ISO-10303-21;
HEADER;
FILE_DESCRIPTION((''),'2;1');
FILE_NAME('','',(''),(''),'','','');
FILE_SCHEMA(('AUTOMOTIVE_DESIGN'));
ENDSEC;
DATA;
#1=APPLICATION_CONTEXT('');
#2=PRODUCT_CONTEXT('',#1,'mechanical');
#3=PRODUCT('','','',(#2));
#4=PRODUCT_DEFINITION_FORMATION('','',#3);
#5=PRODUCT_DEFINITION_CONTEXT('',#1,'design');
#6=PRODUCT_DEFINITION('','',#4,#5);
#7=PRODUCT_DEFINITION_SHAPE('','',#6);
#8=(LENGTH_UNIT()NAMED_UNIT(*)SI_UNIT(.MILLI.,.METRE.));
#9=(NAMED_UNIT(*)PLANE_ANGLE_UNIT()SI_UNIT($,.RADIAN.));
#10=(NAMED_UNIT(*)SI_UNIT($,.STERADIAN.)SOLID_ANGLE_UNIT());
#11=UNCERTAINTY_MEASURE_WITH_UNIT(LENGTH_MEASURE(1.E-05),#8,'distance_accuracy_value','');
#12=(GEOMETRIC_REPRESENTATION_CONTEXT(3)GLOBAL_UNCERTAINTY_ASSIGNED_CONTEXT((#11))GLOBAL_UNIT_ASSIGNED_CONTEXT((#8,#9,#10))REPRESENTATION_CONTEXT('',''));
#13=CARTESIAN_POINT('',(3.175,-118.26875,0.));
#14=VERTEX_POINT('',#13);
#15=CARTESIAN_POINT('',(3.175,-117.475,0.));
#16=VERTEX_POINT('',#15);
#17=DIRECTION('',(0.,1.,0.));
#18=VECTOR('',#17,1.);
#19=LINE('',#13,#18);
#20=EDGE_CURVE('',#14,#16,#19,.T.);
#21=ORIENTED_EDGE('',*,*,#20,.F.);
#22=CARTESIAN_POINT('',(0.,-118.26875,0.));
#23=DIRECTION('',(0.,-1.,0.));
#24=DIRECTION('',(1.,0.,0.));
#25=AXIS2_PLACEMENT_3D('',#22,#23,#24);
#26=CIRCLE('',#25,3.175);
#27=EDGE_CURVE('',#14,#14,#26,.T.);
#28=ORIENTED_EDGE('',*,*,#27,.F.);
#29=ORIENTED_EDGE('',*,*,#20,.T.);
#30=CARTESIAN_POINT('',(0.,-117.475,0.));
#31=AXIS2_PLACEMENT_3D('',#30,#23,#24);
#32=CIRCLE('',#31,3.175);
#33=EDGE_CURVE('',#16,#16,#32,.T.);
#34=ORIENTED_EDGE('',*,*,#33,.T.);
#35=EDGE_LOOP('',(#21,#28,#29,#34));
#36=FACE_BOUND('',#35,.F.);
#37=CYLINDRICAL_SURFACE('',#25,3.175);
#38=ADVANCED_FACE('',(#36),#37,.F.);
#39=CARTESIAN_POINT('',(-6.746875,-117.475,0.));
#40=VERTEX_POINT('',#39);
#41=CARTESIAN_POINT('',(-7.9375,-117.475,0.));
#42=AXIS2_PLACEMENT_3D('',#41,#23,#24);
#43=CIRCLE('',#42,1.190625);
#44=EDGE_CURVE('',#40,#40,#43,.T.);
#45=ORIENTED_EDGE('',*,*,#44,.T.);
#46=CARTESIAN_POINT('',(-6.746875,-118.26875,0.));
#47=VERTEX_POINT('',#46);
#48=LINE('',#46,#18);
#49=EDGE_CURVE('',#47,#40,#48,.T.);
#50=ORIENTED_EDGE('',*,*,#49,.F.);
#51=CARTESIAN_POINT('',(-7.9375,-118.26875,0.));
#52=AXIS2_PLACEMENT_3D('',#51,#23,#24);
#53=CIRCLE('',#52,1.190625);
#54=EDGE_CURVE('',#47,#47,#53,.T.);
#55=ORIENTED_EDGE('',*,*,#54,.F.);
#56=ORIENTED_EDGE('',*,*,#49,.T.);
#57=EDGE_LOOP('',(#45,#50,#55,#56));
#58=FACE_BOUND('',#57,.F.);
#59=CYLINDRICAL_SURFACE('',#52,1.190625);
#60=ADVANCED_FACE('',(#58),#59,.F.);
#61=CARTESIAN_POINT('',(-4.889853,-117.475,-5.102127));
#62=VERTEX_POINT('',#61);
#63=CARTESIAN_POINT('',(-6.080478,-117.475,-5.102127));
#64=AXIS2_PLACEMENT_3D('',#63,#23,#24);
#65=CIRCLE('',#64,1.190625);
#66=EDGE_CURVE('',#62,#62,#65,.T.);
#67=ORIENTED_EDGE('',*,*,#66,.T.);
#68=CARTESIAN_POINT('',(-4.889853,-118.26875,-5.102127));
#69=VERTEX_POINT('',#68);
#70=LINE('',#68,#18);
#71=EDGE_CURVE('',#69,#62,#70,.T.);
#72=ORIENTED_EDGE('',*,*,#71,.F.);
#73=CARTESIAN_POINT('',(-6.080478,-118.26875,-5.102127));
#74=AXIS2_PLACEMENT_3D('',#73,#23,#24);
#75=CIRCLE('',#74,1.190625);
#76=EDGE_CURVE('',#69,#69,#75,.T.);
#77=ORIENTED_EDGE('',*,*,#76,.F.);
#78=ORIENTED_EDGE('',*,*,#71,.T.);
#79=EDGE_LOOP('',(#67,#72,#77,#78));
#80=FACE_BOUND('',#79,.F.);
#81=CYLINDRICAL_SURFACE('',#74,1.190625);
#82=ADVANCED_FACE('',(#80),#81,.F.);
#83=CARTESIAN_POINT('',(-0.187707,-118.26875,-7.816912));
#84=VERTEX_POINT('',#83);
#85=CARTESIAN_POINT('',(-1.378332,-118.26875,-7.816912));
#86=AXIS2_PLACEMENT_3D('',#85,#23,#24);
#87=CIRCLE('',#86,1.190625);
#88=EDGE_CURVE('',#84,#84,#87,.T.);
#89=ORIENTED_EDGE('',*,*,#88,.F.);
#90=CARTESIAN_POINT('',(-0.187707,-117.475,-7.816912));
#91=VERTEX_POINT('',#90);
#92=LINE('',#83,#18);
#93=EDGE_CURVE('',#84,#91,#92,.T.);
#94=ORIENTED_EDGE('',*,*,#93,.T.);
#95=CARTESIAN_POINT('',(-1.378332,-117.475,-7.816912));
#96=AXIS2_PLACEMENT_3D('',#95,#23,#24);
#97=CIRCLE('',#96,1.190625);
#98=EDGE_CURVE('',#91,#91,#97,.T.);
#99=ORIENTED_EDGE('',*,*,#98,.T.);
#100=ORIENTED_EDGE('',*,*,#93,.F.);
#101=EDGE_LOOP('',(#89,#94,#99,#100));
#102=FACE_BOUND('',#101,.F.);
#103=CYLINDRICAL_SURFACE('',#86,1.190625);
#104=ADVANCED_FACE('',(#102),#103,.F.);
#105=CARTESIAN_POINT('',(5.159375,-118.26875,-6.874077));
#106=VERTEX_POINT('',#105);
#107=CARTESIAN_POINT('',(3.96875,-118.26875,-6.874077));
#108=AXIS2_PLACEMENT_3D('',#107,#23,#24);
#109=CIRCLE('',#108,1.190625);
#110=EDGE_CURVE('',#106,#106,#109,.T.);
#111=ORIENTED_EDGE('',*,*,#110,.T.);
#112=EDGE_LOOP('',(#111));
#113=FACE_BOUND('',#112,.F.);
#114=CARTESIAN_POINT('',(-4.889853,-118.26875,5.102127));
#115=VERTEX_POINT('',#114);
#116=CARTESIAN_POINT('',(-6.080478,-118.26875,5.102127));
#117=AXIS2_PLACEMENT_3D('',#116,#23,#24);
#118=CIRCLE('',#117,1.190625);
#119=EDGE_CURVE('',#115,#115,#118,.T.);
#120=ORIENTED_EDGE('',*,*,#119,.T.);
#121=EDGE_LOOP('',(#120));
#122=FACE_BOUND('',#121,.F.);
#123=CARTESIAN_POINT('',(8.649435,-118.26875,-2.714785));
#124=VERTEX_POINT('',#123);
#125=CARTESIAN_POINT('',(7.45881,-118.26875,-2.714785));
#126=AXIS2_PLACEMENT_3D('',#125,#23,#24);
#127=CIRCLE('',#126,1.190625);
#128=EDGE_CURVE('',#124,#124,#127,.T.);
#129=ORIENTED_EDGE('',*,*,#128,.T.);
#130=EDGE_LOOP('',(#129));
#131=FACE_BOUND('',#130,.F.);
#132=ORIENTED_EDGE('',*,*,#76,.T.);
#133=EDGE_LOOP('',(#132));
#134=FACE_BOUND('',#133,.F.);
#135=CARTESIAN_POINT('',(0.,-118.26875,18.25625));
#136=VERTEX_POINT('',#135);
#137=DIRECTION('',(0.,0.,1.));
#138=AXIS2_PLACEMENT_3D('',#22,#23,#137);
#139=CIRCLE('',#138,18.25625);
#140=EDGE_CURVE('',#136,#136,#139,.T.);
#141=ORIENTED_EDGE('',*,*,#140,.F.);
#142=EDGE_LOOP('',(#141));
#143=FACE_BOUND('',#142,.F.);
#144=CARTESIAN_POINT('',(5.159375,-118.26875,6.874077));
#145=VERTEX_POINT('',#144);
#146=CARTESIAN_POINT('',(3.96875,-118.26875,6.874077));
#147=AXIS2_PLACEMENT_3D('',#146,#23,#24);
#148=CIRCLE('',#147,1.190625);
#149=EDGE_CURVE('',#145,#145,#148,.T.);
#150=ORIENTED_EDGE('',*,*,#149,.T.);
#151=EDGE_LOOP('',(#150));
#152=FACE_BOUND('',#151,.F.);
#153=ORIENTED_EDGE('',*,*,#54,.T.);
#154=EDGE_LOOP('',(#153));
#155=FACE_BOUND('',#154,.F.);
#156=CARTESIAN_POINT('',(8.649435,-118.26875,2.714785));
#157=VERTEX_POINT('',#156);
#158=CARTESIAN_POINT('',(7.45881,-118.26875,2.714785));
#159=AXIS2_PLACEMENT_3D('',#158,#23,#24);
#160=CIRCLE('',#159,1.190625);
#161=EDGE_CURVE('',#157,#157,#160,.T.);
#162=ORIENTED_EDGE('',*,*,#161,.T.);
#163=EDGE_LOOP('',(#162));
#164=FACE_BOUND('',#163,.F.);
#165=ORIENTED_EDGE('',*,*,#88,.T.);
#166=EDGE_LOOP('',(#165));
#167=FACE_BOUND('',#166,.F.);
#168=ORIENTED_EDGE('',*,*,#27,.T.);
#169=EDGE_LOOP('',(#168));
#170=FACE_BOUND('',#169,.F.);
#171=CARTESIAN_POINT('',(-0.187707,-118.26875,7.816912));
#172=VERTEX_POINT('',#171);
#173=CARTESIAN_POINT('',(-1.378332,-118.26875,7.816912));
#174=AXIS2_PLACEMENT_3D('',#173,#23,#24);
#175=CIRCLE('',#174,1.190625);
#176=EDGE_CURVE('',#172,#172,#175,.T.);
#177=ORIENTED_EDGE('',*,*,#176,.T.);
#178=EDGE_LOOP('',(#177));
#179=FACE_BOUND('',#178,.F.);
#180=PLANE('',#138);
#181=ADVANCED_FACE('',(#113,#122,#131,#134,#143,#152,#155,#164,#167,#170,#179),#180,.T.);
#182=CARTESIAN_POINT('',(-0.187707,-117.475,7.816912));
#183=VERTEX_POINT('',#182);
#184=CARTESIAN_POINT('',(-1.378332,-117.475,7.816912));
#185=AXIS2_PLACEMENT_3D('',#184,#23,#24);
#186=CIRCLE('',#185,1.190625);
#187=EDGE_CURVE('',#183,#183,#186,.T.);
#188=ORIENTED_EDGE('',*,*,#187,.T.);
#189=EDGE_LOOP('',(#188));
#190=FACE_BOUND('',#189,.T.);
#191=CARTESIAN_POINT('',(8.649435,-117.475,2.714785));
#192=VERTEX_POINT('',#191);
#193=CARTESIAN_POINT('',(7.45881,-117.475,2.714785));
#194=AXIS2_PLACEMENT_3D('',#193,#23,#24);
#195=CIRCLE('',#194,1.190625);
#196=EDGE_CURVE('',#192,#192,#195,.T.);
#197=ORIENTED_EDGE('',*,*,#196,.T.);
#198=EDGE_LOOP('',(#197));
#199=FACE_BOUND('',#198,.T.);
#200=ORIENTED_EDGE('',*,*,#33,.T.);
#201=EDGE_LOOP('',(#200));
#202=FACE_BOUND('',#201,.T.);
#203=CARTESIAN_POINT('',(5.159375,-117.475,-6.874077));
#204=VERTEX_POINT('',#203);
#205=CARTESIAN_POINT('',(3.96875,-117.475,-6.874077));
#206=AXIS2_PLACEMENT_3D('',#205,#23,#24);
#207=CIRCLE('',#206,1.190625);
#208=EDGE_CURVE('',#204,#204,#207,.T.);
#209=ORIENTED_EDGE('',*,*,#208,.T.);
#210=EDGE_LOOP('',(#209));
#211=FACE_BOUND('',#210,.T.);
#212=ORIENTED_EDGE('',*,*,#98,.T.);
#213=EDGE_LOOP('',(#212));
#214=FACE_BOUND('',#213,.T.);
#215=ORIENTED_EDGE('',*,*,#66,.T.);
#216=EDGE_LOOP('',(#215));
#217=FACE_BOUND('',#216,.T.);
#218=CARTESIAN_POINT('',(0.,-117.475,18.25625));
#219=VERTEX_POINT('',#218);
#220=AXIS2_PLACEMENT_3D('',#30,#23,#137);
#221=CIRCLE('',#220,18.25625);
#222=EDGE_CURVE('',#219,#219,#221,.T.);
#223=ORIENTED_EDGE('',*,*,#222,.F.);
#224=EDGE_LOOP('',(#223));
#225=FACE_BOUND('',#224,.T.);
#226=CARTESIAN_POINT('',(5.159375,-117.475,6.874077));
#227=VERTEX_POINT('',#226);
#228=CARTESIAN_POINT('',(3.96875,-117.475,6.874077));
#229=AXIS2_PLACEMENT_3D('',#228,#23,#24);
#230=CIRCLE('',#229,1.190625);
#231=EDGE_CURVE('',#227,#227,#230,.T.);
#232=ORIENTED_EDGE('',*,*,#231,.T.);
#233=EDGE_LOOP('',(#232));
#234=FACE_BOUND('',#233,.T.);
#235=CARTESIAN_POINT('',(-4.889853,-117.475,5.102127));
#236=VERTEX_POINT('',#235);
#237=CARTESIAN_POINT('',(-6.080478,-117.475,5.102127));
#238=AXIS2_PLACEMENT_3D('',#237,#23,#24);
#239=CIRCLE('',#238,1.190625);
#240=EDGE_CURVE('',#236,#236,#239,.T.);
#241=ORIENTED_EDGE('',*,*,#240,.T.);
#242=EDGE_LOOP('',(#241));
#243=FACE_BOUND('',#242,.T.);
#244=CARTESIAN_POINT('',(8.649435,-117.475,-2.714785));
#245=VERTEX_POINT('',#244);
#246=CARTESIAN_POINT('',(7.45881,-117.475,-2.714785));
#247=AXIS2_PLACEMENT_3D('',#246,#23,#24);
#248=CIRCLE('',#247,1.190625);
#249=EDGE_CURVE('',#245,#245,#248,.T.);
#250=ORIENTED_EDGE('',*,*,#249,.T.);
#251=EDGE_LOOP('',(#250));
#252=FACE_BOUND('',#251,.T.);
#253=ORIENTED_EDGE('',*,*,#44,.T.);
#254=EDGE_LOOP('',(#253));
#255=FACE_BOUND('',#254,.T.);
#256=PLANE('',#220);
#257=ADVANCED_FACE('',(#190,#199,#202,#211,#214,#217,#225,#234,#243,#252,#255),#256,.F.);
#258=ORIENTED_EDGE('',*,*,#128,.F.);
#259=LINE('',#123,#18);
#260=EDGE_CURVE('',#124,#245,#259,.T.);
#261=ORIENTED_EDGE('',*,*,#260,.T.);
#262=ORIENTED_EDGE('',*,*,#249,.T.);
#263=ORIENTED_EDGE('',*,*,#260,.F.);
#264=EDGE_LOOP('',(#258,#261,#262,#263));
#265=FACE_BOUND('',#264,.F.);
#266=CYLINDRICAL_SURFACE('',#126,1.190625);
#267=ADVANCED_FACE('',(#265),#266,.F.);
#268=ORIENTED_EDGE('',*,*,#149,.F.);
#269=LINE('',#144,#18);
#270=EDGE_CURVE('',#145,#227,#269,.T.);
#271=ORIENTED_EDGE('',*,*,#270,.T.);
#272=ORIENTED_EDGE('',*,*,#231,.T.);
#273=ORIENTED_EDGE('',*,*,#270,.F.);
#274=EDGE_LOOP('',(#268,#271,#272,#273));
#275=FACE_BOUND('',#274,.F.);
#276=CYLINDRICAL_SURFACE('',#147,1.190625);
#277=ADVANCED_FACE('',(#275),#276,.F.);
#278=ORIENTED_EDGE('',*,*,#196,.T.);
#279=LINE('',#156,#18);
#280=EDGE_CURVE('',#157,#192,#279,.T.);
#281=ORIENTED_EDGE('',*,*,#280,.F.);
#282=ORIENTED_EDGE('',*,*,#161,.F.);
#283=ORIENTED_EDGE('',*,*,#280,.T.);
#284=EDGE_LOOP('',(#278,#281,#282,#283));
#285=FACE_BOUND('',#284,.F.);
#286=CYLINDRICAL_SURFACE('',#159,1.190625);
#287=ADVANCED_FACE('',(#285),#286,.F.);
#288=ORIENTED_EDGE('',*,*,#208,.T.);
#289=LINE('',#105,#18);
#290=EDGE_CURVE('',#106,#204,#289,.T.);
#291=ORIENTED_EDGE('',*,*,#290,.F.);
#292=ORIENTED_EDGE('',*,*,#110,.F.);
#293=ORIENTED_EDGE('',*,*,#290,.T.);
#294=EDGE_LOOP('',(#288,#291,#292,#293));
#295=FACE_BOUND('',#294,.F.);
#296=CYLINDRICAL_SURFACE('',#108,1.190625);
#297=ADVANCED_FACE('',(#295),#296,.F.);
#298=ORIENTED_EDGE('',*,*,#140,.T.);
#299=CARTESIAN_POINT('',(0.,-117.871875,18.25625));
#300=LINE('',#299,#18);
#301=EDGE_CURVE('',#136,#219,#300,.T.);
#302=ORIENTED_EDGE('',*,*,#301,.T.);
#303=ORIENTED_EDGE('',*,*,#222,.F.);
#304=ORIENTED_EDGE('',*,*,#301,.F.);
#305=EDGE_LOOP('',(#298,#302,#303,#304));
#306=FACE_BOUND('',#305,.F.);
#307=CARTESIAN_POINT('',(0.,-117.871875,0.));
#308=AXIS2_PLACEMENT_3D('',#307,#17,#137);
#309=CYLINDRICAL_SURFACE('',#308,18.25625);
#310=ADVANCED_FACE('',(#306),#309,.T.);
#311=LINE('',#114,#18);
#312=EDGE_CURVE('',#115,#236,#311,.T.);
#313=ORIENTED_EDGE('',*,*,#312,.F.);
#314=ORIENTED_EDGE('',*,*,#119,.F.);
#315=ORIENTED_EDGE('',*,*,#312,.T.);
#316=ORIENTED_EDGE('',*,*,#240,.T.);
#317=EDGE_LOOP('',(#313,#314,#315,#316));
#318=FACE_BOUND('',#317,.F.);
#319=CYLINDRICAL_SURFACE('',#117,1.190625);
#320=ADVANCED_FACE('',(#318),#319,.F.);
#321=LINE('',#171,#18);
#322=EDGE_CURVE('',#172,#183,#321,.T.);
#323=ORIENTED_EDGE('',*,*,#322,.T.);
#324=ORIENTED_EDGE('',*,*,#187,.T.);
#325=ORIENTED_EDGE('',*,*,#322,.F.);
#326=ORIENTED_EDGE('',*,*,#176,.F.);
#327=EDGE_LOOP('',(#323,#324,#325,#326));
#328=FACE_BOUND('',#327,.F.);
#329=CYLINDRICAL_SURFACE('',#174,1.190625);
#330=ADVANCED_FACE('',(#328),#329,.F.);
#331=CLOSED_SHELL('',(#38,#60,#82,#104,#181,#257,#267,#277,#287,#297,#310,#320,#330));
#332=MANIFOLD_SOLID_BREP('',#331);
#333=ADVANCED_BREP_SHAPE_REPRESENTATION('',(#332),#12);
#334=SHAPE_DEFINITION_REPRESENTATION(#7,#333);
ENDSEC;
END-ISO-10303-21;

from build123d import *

# Parameters (mm, degrees)
F0_W     = 0.79375
F0_H     = 18.25625
F2_R     = 3.175
F2_R_2   = 1.190625
F3_DEPTH = 0.79375


with BuildPart() as f1:
    # F0 (on Right) → F1 (revolve)
    with BuildSketch(Plane.YZ):
        with Locations((-117.871875, 9.128125)):
            Rectangle(F0_W, F0_H)
    revolve(axis=Axis((0, -58.7375, 0), (0, -1, 0)))

    # F2 (on face) → F3 (cut, through all)
    with BuildSketch(Plane.XZ.offset(118.26875)):
        Circle(F2_R)
        with Locations((-7.9375, 0)):
            Circle(F2_R_2)
        with Locations((-6.080478, -5.102127)):
            Circle(F2_R_2)
        with Locations((-1.378332, -7.816912)):
            Circle(F2_R_2)
        with Locations((3.96875, -6.874077)):
            Circle(F2_R_2)
        with Locations((7.45881, -2.714785)):
            Circle(F2_R_2)
        with Locations((7.45881, 2.714785)):
            Circle(F2_R_2)
        with Locations((3.96875, 6.874077)):
            Circle(F2_R_2)
        with Locations((-1.378332, 7.816912)):
            Circle(F2_R_2)
        with Locations((-6.080478, 5.102127)):
            Circle(F2_R_2)
    extrude(amount=-F3_DEPTH, mode=Mode.SUBTRACT)


solid = f1.part
